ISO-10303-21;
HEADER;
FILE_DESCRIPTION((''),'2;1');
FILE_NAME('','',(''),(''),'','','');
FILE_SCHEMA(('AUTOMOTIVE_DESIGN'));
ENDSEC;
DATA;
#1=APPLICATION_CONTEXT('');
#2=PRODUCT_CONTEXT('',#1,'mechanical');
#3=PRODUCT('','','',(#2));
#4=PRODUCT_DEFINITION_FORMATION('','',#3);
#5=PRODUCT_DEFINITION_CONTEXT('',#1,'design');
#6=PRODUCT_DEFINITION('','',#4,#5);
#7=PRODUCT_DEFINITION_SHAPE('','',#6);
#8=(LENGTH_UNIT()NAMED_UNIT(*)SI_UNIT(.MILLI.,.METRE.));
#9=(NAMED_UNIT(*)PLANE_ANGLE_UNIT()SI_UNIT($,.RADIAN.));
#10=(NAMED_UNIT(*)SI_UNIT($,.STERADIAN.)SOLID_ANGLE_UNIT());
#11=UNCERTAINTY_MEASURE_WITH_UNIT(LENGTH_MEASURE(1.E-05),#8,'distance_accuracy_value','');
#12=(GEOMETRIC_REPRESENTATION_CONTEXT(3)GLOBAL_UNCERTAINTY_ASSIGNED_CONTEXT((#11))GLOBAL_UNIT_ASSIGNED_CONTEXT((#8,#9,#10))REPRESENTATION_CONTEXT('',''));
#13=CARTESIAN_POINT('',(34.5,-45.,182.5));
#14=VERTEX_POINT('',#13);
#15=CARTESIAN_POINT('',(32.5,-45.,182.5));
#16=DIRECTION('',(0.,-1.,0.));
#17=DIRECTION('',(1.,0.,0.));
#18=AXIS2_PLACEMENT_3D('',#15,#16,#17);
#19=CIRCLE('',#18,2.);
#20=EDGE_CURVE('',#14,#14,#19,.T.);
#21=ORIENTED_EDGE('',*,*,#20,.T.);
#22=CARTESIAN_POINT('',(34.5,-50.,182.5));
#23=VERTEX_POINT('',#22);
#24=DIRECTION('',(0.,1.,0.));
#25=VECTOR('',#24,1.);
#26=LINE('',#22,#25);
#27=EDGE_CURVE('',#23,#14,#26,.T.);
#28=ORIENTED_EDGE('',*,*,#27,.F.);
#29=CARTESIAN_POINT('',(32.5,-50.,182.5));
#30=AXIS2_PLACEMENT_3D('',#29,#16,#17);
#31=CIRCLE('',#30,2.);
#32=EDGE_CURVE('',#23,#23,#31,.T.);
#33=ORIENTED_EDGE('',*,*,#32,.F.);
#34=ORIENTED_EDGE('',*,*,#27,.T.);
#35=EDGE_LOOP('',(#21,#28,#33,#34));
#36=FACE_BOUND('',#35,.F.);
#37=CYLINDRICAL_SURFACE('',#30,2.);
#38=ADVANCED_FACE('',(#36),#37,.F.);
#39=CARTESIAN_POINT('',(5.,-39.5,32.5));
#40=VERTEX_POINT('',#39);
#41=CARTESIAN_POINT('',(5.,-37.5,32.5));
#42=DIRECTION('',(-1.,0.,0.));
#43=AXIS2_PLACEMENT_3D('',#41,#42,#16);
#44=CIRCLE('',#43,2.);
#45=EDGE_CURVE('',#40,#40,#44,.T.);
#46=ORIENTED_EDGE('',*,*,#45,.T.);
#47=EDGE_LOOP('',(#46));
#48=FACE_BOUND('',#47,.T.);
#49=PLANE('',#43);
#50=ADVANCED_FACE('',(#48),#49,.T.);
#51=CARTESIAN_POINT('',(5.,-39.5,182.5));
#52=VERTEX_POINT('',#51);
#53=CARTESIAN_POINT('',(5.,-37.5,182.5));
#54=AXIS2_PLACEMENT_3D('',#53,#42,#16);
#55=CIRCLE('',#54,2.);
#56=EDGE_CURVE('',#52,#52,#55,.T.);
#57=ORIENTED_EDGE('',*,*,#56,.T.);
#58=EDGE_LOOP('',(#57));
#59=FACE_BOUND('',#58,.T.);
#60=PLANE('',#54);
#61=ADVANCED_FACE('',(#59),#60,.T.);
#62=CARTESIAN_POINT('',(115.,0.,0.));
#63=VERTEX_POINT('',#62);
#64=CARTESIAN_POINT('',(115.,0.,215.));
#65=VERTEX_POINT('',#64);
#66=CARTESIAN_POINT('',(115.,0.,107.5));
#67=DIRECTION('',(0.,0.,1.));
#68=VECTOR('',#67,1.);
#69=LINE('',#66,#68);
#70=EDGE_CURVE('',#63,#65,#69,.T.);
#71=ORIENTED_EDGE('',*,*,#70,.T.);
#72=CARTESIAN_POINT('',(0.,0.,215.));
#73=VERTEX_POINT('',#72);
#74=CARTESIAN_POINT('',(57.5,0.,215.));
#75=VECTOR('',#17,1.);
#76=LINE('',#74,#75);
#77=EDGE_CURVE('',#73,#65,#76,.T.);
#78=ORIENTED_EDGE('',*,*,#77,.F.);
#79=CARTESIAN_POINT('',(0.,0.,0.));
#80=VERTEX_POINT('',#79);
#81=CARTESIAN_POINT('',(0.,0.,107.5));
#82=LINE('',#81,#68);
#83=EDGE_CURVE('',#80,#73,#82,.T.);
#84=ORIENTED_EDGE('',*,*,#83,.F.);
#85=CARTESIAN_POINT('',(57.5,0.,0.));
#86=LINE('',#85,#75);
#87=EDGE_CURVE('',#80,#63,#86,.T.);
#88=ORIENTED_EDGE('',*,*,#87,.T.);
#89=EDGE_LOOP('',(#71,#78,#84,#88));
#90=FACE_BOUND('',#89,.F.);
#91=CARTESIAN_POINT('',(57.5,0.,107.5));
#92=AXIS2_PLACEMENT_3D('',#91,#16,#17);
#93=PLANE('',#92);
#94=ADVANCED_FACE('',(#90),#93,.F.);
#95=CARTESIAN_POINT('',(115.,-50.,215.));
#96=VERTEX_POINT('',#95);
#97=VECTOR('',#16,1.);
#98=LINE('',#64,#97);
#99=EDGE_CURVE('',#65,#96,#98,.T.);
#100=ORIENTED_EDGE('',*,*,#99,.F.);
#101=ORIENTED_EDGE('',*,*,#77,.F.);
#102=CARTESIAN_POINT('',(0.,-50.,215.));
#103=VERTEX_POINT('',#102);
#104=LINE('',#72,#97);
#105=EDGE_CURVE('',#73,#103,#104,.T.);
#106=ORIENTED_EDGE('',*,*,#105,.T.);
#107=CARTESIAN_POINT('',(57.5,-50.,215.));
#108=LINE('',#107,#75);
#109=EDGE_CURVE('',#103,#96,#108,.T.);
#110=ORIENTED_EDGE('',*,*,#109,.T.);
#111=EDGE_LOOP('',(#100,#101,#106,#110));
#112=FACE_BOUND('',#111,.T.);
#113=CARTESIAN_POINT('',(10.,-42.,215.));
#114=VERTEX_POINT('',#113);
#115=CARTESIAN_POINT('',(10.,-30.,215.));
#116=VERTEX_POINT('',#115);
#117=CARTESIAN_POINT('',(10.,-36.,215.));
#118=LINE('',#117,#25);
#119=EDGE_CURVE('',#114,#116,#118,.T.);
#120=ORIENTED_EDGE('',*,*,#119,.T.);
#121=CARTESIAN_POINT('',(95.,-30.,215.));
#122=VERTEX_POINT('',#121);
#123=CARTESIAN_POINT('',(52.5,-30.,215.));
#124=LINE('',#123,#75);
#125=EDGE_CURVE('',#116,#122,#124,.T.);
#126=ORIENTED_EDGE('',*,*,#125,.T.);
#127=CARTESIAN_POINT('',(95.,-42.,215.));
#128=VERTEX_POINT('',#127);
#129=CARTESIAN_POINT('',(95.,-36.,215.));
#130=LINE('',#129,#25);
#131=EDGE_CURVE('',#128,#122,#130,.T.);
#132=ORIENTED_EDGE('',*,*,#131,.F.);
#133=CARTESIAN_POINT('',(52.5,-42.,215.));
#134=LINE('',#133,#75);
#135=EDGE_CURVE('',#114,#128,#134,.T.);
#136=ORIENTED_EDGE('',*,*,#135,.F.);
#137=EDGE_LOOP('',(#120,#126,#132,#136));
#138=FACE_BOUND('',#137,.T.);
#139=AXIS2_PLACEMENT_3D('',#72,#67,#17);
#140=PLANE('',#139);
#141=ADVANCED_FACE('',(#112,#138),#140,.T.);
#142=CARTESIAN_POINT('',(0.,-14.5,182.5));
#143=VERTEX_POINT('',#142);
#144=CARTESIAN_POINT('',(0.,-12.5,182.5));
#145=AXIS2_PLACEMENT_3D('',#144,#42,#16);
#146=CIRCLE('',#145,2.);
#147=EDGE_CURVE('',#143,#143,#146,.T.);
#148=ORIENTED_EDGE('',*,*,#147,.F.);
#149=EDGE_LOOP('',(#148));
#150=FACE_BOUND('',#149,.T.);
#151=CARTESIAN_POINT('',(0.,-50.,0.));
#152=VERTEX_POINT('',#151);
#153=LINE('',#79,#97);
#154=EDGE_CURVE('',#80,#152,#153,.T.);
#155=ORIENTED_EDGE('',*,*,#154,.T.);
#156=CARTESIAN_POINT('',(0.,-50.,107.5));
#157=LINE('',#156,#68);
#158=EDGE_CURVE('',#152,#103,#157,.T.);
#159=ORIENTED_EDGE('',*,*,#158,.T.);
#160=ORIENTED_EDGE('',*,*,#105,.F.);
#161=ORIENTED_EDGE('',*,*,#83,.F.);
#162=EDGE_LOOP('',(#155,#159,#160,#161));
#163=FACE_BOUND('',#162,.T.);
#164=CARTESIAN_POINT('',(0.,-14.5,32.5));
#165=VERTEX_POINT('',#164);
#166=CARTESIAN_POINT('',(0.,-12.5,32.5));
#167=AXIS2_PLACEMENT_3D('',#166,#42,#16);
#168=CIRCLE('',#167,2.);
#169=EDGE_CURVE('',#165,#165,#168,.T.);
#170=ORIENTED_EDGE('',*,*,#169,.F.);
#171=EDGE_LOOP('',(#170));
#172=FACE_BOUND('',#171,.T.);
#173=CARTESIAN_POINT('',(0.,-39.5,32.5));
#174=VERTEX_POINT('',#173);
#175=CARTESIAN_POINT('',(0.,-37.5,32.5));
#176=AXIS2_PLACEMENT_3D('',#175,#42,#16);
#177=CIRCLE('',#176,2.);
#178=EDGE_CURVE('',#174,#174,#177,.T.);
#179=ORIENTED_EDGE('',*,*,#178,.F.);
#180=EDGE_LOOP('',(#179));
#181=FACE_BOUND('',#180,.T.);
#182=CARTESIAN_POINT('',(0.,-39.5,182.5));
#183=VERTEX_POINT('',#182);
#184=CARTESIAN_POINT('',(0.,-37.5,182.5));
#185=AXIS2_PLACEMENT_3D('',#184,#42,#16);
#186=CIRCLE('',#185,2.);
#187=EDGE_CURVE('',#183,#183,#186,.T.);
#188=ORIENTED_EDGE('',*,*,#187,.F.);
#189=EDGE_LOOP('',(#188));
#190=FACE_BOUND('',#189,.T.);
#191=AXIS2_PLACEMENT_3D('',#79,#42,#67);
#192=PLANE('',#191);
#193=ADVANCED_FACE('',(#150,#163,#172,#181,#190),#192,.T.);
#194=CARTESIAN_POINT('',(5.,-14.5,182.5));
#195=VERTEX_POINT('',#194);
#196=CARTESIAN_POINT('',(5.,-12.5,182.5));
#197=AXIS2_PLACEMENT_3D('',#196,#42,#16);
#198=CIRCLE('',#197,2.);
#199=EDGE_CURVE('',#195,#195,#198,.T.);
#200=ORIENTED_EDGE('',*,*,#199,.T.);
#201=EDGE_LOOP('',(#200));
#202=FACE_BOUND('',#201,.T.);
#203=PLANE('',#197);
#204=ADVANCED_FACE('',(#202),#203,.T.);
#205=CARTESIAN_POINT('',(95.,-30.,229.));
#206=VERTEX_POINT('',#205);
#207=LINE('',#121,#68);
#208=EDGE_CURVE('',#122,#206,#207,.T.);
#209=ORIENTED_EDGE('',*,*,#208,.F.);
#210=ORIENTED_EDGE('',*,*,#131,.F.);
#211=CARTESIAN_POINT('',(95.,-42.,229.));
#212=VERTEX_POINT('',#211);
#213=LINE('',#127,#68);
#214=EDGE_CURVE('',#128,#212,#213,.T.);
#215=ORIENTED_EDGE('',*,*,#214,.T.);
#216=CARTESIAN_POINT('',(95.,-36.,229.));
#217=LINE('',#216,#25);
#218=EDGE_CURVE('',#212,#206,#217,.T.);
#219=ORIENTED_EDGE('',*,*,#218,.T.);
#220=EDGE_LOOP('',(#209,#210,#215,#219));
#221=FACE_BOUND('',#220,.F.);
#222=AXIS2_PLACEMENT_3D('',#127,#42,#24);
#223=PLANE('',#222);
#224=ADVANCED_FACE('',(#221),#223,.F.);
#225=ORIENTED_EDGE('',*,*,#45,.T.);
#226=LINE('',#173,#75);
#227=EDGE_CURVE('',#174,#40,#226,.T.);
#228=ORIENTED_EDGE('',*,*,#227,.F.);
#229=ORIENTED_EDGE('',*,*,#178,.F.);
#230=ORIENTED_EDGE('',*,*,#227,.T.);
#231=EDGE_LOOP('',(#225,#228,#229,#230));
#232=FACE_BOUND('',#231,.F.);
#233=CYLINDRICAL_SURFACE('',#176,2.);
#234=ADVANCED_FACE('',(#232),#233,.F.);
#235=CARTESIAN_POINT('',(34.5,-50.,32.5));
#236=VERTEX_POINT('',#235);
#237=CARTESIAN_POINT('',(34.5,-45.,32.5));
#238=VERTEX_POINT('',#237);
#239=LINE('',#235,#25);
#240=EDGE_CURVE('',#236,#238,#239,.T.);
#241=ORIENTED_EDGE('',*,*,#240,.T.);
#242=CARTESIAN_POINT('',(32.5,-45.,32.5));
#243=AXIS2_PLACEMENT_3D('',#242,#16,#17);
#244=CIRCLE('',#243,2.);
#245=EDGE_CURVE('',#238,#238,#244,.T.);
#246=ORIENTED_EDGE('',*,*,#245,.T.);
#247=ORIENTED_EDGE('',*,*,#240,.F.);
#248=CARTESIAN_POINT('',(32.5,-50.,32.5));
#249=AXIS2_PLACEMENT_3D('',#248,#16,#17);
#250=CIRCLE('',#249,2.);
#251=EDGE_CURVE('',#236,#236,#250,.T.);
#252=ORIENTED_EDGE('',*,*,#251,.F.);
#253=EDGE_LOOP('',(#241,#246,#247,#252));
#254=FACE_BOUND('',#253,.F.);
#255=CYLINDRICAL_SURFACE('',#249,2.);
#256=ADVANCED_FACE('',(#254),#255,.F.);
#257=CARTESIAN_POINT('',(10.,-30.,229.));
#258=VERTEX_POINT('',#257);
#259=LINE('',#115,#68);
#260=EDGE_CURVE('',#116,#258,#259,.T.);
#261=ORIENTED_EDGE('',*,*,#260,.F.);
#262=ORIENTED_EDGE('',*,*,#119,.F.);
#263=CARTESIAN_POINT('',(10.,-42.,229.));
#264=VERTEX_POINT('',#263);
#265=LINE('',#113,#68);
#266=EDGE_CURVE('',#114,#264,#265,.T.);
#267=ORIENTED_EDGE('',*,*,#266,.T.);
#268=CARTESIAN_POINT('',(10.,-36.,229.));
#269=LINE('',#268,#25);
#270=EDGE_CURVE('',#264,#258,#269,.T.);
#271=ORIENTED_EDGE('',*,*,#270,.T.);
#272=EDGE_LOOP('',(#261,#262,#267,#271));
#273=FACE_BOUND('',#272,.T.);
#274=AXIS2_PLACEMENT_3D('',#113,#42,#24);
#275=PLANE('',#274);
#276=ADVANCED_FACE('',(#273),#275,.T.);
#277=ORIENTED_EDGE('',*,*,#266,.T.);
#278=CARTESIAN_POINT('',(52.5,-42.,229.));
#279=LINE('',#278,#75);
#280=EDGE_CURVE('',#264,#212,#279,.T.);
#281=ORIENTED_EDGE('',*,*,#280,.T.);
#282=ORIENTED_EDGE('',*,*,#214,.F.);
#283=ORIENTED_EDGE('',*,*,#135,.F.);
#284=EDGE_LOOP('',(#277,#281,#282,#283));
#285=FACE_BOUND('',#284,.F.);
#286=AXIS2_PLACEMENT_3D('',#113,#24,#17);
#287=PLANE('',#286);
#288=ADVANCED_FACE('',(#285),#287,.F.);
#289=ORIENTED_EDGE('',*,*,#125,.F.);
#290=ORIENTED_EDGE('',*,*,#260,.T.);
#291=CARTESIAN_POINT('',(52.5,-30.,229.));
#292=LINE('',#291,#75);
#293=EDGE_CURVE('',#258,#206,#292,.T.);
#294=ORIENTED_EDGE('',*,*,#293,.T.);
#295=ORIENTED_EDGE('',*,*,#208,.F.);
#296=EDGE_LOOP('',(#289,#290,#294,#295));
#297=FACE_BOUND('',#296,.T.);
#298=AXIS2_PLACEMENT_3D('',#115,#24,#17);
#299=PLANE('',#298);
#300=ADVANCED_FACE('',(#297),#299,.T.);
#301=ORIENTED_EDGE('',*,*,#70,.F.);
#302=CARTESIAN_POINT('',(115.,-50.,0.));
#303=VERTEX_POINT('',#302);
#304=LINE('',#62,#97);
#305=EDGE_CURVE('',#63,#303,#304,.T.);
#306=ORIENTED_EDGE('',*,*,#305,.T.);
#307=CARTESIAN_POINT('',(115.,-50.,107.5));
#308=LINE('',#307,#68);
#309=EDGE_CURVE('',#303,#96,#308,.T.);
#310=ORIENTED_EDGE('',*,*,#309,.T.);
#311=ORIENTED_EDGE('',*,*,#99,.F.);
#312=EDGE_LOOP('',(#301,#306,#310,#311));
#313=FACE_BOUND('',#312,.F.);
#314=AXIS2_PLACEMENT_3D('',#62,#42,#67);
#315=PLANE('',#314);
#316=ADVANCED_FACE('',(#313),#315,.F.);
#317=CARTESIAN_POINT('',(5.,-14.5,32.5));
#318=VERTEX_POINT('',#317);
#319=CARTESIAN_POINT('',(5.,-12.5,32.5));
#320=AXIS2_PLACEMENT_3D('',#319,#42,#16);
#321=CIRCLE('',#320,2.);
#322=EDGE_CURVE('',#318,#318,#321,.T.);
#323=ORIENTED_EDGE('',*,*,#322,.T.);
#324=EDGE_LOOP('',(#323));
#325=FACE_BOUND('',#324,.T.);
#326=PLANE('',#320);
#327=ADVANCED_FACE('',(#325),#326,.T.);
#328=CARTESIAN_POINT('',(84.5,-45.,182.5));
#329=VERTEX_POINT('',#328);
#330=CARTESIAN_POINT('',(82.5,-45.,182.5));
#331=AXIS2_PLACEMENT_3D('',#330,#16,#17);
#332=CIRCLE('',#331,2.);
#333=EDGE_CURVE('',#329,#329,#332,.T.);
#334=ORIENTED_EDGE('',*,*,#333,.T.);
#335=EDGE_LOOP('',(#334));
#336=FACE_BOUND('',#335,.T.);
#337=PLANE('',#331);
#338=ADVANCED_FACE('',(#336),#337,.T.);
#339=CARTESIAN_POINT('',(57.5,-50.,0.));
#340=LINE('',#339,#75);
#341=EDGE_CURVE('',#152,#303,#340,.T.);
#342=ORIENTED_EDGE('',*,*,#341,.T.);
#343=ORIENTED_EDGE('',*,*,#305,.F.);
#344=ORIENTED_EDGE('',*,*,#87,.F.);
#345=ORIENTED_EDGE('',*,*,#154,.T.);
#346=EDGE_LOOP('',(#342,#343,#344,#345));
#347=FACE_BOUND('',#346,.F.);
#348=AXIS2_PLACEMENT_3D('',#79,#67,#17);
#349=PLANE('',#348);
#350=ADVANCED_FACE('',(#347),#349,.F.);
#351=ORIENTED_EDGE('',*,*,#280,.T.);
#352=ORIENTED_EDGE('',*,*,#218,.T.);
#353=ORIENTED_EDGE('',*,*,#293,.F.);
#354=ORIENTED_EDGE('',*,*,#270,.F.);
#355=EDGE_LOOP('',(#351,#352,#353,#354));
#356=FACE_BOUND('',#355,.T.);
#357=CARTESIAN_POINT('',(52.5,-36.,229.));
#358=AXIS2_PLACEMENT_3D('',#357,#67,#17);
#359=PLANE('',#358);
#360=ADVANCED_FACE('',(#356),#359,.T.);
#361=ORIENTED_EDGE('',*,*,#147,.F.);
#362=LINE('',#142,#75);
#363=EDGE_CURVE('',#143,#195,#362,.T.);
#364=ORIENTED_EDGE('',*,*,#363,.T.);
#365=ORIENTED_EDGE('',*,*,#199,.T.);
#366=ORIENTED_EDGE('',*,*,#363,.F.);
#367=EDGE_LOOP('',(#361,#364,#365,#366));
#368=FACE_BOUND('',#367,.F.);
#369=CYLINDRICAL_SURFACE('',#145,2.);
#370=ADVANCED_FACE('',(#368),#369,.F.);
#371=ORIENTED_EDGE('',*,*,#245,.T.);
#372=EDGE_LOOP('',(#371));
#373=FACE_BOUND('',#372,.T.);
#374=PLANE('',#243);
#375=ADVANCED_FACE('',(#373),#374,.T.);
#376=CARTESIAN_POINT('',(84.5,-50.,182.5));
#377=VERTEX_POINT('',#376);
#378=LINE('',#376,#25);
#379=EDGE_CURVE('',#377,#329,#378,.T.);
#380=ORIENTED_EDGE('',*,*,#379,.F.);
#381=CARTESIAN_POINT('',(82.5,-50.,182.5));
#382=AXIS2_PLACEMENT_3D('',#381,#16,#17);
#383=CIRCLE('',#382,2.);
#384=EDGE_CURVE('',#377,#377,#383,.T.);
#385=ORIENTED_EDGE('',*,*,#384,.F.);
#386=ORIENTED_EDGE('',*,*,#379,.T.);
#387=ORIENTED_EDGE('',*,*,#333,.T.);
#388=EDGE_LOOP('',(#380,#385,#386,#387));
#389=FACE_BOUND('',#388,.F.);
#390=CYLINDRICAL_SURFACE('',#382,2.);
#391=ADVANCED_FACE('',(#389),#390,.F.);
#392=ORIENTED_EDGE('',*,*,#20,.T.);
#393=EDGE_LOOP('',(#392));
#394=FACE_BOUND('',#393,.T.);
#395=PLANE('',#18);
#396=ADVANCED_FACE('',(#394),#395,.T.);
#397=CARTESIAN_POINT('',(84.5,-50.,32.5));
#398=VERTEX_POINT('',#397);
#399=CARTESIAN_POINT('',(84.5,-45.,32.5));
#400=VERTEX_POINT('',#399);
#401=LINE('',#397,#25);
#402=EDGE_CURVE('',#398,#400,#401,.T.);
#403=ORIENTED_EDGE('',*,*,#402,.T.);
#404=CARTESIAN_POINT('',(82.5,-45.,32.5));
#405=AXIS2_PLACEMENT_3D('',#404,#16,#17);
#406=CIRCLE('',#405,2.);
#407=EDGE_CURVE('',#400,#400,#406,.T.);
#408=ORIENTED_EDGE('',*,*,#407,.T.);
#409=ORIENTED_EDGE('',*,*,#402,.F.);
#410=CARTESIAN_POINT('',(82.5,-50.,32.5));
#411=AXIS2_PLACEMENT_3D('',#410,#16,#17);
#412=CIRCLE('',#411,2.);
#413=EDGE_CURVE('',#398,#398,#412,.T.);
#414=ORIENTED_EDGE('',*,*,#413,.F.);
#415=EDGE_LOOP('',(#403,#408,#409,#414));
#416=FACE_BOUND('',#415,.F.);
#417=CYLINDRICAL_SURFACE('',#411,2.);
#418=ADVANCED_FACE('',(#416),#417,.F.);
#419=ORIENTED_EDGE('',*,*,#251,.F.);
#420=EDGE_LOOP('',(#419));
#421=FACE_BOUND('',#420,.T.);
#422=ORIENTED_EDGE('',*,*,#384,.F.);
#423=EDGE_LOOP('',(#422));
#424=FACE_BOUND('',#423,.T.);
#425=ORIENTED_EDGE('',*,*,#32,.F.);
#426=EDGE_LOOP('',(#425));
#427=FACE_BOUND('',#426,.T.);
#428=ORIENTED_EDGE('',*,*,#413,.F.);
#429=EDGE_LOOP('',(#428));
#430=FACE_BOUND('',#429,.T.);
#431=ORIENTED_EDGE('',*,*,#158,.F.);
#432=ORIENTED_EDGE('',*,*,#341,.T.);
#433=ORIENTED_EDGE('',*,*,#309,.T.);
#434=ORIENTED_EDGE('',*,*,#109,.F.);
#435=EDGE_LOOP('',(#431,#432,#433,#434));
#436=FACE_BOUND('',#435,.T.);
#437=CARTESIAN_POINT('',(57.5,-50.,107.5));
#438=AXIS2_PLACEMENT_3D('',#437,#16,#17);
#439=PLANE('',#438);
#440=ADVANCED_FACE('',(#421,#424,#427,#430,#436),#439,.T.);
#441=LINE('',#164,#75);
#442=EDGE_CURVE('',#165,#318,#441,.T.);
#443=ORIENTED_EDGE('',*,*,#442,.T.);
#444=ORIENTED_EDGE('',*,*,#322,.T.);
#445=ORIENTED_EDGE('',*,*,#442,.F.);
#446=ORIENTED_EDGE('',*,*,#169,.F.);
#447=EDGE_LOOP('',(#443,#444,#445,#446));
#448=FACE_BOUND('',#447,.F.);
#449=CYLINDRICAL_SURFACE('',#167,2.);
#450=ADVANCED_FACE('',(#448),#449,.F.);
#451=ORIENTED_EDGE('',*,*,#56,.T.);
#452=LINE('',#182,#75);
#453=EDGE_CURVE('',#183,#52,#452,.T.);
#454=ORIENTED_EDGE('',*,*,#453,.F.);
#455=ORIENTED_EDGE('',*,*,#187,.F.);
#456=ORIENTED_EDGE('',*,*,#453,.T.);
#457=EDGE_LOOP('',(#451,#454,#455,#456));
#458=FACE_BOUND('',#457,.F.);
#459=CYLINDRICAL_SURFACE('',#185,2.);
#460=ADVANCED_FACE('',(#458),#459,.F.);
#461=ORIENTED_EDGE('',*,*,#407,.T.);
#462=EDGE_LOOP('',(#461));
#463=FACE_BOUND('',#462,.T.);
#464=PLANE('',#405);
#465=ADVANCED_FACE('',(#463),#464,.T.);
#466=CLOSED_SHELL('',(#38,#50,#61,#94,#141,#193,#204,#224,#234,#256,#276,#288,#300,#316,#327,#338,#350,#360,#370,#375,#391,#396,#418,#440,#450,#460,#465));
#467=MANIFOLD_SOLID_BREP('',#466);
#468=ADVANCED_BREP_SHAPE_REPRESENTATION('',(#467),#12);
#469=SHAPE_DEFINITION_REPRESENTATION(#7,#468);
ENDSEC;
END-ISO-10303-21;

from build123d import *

# Parameters (mm, degrees)
F0_W     = 115
F0_H     = 215
F1_DEPTH = 50
F2_W     = 85
F2_H     = 12
F3_DEPTH = 14
F4_R     = 2
F5_DEPTH = 5
F6_R     = 2
F7_DEPTH = 5


with BuildPart() as f1:
    # F0 (on Front) → F1 (new body)
    with BuildSketch(Plane.XZ):
        with Locations((57.5, 107.5)):
            Rectangle(F0_W, F0_H)
    extrude(amount=F1_DEPTH)

    # F2 (on face) → F3 (join)
    with BuildSketch(Plane.XY.offset(215)):
        with Locations((52.5, -36)):
            Rectangle(F2_W, F2_H)
    extrude(amount=F3_DEPTH)

    # F4 (on face) → F5 (cut)
    with BuildSketch(Plane.XZ.offset(50)):
        with Locations((32.5, 182.5)):
            Circle(F4_R)
        with Locations((82.5, 182.5)):
            Circle(F4_R)
        with Locations((82.5, 32.5)):
            Circle(F4_R)
        with Locations((32.5, 32.5)):
            Circle(F4_R)
    extrude(amount=-F5_DEPTH, mode=Mode.SUBTRACT)

    # F6 (on face) → F7 (cut)
    with BuildSketch(Plane(origin=(0, 0, 0), x_dir=(0, -1, 0), z_dir=(-1, 0, 0))):
        with Locations((12.5, 182.5)):
            Circle(F6_R)
        with Locations((37.5, 182.5)):
            Circle(F6_R)
        with Locations((37.5, 32.5)):
            Circle(F6_R)
        with Locations((12.5, 32.5)):
            Circle(F6_R)
    extrude(amount=-F7_DEPTH, mode=Mode.SUBTRACT)


solid = f1.part
